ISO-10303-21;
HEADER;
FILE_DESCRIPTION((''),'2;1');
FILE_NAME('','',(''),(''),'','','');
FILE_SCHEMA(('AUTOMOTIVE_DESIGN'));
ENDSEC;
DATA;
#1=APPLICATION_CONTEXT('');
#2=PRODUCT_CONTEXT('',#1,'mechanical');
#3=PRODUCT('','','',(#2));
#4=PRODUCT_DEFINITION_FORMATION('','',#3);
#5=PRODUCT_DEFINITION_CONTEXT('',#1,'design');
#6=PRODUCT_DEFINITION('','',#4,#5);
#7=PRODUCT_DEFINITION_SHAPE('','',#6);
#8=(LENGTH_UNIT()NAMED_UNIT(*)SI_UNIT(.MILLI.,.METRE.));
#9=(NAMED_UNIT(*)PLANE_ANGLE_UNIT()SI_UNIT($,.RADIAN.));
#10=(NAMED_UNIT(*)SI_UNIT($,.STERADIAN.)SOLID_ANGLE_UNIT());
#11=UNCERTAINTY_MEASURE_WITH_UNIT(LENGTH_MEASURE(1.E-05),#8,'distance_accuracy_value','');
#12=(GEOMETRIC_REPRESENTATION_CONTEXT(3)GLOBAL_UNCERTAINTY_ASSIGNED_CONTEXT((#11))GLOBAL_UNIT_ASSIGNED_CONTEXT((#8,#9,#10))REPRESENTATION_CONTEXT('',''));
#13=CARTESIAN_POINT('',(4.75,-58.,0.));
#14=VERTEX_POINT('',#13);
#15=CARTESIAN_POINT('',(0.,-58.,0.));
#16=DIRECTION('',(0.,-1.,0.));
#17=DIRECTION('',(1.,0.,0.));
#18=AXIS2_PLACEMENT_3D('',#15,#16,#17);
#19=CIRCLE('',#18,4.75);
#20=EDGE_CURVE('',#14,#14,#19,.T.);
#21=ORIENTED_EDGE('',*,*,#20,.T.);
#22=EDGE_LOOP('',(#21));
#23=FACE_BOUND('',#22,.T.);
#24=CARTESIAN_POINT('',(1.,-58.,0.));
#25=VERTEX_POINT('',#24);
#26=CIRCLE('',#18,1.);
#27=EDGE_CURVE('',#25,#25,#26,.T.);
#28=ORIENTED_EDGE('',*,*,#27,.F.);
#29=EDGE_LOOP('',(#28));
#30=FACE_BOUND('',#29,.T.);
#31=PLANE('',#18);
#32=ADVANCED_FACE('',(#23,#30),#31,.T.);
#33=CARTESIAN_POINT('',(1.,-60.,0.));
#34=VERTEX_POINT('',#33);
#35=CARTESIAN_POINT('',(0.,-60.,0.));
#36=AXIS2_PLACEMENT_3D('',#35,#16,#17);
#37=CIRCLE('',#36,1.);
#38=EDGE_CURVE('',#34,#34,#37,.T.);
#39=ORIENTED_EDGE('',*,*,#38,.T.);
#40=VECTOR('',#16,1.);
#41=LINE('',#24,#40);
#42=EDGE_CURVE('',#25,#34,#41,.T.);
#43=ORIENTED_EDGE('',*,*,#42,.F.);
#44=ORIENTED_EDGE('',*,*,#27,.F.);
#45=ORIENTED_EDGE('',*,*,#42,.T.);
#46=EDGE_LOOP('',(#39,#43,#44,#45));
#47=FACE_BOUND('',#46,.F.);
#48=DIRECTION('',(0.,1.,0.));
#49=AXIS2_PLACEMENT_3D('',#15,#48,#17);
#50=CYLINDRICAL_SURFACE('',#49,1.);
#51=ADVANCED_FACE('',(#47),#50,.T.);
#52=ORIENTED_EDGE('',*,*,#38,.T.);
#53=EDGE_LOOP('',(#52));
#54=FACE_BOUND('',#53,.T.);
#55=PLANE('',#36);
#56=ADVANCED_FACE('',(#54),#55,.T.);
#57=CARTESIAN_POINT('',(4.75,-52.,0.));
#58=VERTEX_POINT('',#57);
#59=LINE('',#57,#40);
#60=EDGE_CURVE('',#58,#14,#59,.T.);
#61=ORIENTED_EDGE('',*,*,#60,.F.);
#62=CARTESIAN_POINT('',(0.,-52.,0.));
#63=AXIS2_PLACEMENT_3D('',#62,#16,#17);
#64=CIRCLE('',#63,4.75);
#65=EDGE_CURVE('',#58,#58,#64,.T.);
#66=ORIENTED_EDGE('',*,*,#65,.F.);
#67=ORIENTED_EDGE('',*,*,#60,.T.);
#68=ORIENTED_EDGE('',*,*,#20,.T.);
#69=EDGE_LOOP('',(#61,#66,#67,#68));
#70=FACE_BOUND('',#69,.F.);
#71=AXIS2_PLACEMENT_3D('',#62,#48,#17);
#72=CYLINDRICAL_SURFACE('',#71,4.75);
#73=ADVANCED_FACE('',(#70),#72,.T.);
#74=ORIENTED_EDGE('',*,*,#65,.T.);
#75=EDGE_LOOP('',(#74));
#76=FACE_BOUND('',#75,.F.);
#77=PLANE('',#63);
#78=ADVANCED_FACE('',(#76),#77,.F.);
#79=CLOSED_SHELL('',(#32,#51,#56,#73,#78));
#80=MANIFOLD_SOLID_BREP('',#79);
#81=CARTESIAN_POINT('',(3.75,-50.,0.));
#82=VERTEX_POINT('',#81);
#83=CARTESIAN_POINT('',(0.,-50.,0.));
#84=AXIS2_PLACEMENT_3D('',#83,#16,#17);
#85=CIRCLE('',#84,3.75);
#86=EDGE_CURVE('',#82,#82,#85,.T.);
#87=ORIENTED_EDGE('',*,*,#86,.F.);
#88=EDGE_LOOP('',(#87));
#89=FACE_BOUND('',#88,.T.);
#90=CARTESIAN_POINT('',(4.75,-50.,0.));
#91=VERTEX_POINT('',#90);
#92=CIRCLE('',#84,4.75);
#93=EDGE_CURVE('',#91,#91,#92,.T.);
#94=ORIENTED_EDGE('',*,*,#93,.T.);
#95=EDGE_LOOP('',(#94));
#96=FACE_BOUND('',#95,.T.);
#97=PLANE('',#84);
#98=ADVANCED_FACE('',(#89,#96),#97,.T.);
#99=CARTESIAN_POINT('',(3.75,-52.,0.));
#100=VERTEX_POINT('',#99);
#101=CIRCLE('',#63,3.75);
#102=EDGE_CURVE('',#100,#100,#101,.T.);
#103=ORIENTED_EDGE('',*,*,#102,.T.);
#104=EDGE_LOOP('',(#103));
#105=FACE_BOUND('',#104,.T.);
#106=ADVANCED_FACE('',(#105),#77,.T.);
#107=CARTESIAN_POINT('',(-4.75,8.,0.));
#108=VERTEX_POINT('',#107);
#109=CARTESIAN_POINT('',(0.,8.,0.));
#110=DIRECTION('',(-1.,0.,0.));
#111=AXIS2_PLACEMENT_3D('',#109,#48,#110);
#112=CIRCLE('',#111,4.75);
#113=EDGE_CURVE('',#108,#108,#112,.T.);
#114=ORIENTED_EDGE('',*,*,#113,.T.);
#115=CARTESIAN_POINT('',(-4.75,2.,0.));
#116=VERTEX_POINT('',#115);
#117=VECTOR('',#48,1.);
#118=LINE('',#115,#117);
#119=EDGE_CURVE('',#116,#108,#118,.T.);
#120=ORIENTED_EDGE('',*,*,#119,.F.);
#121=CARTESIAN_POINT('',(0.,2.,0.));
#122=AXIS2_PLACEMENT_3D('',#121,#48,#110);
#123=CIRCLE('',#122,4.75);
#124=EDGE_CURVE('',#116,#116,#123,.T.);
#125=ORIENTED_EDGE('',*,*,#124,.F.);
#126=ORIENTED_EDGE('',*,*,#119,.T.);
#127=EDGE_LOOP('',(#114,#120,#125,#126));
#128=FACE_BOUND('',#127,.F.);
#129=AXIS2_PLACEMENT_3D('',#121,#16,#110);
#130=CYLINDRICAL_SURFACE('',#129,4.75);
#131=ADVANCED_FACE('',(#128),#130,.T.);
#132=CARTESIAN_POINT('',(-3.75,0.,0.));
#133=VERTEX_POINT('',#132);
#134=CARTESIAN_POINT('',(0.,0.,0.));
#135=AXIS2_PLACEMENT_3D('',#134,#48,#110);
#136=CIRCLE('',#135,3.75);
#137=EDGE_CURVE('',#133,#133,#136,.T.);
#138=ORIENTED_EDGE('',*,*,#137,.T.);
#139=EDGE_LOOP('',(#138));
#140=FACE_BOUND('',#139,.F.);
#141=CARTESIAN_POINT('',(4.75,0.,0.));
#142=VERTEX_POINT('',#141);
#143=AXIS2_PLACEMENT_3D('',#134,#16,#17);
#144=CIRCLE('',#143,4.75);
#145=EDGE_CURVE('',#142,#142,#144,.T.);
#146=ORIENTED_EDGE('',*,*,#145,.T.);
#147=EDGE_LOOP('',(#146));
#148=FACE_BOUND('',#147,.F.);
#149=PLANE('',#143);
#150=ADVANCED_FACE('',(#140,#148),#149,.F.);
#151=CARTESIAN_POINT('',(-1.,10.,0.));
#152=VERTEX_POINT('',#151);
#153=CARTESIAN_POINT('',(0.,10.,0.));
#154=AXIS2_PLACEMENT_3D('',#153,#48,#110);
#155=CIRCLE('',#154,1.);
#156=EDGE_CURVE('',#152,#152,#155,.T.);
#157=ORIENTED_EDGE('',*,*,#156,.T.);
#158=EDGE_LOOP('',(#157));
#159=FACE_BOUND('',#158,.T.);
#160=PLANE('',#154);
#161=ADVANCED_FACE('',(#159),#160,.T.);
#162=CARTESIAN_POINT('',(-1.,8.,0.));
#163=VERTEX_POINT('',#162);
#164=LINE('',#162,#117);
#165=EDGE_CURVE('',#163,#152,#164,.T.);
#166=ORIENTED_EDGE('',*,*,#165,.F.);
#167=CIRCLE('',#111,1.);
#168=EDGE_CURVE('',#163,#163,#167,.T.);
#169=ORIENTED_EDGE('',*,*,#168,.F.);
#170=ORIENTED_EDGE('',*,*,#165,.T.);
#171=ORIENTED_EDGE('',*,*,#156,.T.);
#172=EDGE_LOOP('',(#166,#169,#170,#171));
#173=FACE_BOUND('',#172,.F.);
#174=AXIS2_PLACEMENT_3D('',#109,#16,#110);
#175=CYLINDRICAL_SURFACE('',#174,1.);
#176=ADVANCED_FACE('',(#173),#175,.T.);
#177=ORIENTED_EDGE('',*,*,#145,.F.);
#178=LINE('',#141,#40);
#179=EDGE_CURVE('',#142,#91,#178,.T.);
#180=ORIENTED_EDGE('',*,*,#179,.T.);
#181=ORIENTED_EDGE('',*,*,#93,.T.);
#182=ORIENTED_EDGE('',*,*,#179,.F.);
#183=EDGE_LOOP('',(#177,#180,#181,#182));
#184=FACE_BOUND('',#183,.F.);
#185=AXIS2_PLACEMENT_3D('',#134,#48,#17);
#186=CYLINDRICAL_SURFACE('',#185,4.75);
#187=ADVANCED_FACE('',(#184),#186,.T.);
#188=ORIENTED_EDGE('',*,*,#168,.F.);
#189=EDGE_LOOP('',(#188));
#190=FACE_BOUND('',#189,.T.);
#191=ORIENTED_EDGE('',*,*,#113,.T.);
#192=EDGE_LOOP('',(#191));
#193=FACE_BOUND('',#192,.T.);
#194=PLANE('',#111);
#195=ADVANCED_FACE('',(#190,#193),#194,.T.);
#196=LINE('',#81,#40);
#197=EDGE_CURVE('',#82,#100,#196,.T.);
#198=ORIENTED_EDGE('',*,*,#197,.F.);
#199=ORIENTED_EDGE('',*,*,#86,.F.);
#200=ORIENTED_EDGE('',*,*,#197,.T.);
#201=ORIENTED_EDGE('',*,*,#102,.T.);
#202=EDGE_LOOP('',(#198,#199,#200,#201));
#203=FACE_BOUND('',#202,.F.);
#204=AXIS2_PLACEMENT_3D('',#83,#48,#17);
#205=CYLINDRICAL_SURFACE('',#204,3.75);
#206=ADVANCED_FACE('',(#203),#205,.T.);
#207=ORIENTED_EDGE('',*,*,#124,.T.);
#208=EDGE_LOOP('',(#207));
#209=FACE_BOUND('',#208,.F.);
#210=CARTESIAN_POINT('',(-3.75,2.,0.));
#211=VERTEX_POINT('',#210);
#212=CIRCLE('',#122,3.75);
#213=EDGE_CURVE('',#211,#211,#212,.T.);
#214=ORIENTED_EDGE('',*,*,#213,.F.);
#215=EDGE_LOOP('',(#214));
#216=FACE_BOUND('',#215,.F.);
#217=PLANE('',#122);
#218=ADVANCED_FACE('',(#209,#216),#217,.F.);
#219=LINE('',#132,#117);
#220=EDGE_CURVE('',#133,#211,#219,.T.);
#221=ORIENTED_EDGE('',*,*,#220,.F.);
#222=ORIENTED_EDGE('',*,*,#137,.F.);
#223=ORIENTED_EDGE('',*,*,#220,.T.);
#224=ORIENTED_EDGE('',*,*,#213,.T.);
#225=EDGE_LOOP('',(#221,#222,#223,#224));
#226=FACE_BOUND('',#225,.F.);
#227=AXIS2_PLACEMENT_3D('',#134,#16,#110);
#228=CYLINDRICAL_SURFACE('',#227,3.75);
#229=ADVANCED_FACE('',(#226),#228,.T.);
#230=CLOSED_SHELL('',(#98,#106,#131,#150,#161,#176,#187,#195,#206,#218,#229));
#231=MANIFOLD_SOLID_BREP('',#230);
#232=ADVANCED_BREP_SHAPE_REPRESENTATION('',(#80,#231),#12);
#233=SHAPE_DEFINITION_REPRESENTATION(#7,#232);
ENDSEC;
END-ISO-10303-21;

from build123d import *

# Parameters (mm, degrees)
F0_R      = 4.75
F1_DEPTH  = 50
F2_R      = 3.75
F3_DEPTH  = 2
F4_R      = 3.75
F5_DEPTH  = 2
F6_R      = 4.75
F6_R_2    = 3.75
F7_DEPTH  = 6
F8_R      = 4.75
F8_R_2    = 3.75
F9_DEPTH  = 6
F10_R     = 1
F11_DEPTH = 2
F12_R     = 1
F13_DEPTH = 2


with BuildPart() as f1:
    # F0 (on Front) → F1 (new body)
    with BuildSketch(Plane.XZ):
        Circle(F0_R)
    extrude(amount=F1_DEPTH)

    # F2 (on face) → F3 (join)
    with BuildSketch(Plane.XZ.offset(50)):
        Circle(F2_R)
    extrude(amount=F3_DEPTH)

    # F4 (on face) → F5 (join)
    with BuildSketch(Plane(origin=(0, 0, 0), x_dir=(-1, 0, 0), z_dir=(0, 1, 0))):
        Circle(F4_R)
    extrude(amount=F5_DEPTH)

    # F8 (on face) → F9 (join)
    with BuildSketch(Plane(origin=(0, 2, 0), x_dir=(-1, 0, 0), z_dir=(0, 1, 0))):
        Circle(F8_R)
        Circle(F8_R_2, mode=Mode.SUBTRACT)
        Circle(F8_R_2)
    extrude(amount=F9_DEPTH)

    # F10 (on face) → F11 (join)
    with BuildSketch(Plane(origin=(0, 8, 0), x_dir=(-1, 0, 0), z_dir=(0, 1, 0))):
        Circle(F10_R)
    extrude(amount=F11_DEPTH)


with BuildPart() as f7:
    # F6 (on face) → F7 (new body)
    with BuildSketch(Plane.XZ.offset(52)):
        Circle(F6_R)
        Circle(F6_R_2, mode=Mode.SUBTRACT)
        Circle(F6_R_2)
    extrude(amount=F7_DEPTH)

    # F12 (on face) → F13 (join)
    with BuildSketch(Plane.XZ.offset(58)):
        Circle(F12_R)
    extrude(amount=F13_DEPTH)


solid = Compound([f1.part, f7.part])
